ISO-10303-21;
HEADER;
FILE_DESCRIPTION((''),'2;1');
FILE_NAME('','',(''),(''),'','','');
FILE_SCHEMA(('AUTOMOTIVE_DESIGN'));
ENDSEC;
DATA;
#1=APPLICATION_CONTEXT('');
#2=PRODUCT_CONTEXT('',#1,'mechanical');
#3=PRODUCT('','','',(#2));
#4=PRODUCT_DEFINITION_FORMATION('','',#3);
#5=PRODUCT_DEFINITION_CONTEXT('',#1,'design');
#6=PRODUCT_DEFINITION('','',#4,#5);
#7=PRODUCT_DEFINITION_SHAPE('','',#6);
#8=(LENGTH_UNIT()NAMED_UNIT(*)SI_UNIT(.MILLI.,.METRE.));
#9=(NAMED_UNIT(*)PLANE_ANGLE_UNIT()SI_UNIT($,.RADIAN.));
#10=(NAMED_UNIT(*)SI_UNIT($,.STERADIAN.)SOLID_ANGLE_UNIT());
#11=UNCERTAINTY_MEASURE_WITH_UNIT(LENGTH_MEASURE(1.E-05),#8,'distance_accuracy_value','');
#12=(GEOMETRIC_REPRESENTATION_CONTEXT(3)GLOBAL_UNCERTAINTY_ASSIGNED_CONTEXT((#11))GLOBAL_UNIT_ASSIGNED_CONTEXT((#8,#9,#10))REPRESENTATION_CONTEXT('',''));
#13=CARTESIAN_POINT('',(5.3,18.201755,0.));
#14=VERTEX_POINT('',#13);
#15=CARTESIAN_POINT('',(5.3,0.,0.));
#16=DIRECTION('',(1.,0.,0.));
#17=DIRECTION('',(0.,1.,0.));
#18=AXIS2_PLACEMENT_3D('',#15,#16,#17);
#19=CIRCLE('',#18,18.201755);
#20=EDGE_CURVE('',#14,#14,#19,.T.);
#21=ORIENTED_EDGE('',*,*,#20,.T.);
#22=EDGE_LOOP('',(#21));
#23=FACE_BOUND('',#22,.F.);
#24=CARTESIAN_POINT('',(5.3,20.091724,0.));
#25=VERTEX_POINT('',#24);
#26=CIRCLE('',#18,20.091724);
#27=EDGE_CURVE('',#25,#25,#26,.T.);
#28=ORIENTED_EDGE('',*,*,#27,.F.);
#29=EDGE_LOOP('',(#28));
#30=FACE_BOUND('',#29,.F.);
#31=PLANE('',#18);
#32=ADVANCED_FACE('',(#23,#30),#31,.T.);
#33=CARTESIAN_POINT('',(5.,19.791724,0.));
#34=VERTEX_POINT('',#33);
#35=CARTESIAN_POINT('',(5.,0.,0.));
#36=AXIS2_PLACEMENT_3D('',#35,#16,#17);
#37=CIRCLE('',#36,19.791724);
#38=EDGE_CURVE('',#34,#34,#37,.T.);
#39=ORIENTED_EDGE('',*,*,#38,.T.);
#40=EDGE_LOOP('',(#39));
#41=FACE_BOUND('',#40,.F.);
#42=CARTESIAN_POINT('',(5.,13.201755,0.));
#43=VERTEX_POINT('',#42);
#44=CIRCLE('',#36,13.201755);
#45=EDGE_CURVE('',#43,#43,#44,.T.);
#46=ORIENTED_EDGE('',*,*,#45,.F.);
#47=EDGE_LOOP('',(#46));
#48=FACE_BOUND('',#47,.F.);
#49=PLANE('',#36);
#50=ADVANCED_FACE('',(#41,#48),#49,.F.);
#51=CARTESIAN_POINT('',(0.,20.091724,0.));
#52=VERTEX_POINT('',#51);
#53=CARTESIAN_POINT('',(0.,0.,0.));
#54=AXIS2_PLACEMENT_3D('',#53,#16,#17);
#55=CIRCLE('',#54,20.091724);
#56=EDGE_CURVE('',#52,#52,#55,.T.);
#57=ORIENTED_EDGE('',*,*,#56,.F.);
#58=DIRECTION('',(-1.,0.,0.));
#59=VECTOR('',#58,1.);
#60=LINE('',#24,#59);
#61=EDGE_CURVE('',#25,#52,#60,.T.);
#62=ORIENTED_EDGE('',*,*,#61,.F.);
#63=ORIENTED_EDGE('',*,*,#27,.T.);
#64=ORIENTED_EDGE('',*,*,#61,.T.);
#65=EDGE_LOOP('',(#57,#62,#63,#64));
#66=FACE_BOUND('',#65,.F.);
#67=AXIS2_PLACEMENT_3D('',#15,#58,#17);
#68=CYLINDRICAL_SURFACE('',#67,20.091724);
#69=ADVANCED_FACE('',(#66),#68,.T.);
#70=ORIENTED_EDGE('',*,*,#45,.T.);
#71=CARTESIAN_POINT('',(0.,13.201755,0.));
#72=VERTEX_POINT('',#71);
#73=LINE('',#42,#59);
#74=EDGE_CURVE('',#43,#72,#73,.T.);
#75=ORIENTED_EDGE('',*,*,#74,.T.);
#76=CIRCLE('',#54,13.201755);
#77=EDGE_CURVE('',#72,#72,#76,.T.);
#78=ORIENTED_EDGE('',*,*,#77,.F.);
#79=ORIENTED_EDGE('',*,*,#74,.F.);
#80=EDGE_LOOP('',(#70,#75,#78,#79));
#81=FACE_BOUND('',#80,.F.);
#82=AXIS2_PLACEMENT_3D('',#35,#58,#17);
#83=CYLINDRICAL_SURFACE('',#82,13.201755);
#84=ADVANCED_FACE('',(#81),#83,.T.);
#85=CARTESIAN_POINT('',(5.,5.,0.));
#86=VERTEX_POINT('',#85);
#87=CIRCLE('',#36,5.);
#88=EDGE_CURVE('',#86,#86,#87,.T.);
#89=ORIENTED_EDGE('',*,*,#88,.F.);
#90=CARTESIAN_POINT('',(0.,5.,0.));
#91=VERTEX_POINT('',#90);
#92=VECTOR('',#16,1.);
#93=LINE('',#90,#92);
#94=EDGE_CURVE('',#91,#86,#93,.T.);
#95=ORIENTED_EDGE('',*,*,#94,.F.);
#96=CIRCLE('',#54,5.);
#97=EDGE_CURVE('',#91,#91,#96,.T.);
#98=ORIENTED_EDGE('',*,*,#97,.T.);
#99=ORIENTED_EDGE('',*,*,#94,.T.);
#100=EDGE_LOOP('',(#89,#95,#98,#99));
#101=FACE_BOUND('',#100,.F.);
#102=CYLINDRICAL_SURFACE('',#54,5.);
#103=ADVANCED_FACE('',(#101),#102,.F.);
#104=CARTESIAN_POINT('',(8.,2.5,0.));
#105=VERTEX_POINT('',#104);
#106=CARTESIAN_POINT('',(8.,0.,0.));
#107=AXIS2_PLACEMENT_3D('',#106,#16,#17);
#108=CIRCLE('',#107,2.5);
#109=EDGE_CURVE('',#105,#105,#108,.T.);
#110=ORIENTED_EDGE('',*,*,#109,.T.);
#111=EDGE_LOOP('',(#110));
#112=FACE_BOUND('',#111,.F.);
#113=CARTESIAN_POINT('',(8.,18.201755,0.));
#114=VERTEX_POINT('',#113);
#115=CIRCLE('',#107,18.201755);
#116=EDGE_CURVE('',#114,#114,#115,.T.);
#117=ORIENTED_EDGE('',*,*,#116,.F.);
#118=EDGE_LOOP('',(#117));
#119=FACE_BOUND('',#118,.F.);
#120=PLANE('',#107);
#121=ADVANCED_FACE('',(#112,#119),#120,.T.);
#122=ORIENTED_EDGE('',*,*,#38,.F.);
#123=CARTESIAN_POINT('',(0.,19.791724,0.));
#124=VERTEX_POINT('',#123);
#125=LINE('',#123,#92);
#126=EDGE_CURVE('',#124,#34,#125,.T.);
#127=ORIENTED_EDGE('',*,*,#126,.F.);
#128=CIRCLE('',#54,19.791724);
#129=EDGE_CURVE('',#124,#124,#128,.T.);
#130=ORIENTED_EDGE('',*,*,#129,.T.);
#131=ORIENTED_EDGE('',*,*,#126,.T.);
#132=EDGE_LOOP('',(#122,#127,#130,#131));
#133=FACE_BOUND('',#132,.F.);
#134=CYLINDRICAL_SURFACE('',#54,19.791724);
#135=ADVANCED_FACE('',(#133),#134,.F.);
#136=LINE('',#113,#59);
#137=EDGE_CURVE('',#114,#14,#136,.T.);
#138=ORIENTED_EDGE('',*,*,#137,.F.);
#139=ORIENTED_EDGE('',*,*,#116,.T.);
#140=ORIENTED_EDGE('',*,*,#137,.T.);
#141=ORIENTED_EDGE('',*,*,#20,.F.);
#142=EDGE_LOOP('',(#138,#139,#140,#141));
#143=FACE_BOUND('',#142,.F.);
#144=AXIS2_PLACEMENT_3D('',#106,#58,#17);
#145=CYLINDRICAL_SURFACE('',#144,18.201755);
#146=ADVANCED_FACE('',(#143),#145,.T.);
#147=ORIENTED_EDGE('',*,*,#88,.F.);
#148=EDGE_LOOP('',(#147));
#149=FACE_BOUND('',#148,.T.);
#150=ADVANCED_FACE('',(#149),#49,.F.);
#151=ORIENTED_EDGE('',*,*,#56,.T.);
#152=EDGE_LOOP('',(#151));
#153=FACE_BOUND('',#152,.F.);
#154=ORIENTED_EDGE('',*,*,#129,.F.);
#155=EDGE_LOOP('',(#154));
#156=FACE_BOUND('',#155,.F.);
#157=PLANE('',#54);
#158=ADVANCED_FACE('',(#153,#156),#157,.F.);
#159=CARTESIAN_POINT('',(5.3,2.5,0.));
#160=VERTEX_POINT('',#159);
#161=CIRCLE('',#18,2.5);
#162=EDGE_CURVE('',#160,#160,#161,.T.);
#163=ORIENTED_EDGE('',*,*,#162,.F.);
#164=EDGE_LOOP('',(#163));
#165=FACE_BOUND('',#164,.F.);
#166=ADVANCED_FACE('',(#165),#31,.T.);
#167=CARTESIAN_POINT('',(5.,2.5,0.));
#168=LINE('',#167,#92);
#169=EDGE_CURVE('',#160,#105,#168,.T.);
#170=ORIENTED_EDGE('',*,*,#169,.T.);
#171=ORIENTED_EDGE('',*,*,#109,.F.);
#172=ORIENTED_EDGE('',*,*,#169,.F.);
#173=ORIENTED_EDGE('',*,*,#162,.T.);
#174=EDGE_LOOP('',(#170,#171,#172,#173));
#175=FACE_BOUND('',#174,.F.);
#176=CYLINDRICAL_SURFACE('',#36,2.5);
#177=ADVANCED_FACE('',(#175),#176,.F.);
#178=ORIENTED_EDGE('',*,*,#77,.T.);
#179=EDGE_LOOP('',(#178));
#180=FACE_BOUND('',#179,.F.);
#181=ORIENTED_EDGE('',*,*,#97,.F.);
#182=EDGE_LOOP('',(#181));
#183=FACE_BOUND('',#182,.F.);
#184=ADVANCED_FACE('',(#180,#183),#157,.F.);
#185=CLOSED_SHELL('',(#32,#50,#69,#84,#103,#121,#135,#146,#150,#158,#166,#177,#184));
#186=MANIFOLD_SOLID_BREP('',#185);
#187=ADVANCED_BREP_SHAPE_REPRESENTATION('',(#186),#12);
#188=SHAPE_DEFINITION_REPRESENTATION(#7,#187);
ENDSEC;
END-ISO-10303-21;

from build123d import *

# Parameters (mm, degrees)
F1_W = 0.3
F1_H = 2.5


with BuildPart() as f3:
    # F0 (on Top) → F3 (revolve)
    with BuildSketch(Plane.XY):
        Polygon((0, 13.201755), (0, 5), (5, 5), (5, 2.5), (8, 2.5), (8, 18.201755), (5, 18.201755), (5, 13.201755), align=None)
    revolve(axis=Axis((9.429826, 0, 0), (1, 0, 0)))

    # F1 (on Top) → F4 (revolve)
    with BuildSketch(Plane.XY):
        with Locations((5.15, 1.25)):
            Rectangle(F1_W, F1_H)
        Polygon((5, 19.791724), (5, 18.201755), (5.3, 18.201755), (5.3, 20.091724), (0, 20.091724), (0, 19.791724), align=None)
    revolve(axis=Axis((9.429826, 0, 0), (1, 0, 0)))


solid = f3.part
